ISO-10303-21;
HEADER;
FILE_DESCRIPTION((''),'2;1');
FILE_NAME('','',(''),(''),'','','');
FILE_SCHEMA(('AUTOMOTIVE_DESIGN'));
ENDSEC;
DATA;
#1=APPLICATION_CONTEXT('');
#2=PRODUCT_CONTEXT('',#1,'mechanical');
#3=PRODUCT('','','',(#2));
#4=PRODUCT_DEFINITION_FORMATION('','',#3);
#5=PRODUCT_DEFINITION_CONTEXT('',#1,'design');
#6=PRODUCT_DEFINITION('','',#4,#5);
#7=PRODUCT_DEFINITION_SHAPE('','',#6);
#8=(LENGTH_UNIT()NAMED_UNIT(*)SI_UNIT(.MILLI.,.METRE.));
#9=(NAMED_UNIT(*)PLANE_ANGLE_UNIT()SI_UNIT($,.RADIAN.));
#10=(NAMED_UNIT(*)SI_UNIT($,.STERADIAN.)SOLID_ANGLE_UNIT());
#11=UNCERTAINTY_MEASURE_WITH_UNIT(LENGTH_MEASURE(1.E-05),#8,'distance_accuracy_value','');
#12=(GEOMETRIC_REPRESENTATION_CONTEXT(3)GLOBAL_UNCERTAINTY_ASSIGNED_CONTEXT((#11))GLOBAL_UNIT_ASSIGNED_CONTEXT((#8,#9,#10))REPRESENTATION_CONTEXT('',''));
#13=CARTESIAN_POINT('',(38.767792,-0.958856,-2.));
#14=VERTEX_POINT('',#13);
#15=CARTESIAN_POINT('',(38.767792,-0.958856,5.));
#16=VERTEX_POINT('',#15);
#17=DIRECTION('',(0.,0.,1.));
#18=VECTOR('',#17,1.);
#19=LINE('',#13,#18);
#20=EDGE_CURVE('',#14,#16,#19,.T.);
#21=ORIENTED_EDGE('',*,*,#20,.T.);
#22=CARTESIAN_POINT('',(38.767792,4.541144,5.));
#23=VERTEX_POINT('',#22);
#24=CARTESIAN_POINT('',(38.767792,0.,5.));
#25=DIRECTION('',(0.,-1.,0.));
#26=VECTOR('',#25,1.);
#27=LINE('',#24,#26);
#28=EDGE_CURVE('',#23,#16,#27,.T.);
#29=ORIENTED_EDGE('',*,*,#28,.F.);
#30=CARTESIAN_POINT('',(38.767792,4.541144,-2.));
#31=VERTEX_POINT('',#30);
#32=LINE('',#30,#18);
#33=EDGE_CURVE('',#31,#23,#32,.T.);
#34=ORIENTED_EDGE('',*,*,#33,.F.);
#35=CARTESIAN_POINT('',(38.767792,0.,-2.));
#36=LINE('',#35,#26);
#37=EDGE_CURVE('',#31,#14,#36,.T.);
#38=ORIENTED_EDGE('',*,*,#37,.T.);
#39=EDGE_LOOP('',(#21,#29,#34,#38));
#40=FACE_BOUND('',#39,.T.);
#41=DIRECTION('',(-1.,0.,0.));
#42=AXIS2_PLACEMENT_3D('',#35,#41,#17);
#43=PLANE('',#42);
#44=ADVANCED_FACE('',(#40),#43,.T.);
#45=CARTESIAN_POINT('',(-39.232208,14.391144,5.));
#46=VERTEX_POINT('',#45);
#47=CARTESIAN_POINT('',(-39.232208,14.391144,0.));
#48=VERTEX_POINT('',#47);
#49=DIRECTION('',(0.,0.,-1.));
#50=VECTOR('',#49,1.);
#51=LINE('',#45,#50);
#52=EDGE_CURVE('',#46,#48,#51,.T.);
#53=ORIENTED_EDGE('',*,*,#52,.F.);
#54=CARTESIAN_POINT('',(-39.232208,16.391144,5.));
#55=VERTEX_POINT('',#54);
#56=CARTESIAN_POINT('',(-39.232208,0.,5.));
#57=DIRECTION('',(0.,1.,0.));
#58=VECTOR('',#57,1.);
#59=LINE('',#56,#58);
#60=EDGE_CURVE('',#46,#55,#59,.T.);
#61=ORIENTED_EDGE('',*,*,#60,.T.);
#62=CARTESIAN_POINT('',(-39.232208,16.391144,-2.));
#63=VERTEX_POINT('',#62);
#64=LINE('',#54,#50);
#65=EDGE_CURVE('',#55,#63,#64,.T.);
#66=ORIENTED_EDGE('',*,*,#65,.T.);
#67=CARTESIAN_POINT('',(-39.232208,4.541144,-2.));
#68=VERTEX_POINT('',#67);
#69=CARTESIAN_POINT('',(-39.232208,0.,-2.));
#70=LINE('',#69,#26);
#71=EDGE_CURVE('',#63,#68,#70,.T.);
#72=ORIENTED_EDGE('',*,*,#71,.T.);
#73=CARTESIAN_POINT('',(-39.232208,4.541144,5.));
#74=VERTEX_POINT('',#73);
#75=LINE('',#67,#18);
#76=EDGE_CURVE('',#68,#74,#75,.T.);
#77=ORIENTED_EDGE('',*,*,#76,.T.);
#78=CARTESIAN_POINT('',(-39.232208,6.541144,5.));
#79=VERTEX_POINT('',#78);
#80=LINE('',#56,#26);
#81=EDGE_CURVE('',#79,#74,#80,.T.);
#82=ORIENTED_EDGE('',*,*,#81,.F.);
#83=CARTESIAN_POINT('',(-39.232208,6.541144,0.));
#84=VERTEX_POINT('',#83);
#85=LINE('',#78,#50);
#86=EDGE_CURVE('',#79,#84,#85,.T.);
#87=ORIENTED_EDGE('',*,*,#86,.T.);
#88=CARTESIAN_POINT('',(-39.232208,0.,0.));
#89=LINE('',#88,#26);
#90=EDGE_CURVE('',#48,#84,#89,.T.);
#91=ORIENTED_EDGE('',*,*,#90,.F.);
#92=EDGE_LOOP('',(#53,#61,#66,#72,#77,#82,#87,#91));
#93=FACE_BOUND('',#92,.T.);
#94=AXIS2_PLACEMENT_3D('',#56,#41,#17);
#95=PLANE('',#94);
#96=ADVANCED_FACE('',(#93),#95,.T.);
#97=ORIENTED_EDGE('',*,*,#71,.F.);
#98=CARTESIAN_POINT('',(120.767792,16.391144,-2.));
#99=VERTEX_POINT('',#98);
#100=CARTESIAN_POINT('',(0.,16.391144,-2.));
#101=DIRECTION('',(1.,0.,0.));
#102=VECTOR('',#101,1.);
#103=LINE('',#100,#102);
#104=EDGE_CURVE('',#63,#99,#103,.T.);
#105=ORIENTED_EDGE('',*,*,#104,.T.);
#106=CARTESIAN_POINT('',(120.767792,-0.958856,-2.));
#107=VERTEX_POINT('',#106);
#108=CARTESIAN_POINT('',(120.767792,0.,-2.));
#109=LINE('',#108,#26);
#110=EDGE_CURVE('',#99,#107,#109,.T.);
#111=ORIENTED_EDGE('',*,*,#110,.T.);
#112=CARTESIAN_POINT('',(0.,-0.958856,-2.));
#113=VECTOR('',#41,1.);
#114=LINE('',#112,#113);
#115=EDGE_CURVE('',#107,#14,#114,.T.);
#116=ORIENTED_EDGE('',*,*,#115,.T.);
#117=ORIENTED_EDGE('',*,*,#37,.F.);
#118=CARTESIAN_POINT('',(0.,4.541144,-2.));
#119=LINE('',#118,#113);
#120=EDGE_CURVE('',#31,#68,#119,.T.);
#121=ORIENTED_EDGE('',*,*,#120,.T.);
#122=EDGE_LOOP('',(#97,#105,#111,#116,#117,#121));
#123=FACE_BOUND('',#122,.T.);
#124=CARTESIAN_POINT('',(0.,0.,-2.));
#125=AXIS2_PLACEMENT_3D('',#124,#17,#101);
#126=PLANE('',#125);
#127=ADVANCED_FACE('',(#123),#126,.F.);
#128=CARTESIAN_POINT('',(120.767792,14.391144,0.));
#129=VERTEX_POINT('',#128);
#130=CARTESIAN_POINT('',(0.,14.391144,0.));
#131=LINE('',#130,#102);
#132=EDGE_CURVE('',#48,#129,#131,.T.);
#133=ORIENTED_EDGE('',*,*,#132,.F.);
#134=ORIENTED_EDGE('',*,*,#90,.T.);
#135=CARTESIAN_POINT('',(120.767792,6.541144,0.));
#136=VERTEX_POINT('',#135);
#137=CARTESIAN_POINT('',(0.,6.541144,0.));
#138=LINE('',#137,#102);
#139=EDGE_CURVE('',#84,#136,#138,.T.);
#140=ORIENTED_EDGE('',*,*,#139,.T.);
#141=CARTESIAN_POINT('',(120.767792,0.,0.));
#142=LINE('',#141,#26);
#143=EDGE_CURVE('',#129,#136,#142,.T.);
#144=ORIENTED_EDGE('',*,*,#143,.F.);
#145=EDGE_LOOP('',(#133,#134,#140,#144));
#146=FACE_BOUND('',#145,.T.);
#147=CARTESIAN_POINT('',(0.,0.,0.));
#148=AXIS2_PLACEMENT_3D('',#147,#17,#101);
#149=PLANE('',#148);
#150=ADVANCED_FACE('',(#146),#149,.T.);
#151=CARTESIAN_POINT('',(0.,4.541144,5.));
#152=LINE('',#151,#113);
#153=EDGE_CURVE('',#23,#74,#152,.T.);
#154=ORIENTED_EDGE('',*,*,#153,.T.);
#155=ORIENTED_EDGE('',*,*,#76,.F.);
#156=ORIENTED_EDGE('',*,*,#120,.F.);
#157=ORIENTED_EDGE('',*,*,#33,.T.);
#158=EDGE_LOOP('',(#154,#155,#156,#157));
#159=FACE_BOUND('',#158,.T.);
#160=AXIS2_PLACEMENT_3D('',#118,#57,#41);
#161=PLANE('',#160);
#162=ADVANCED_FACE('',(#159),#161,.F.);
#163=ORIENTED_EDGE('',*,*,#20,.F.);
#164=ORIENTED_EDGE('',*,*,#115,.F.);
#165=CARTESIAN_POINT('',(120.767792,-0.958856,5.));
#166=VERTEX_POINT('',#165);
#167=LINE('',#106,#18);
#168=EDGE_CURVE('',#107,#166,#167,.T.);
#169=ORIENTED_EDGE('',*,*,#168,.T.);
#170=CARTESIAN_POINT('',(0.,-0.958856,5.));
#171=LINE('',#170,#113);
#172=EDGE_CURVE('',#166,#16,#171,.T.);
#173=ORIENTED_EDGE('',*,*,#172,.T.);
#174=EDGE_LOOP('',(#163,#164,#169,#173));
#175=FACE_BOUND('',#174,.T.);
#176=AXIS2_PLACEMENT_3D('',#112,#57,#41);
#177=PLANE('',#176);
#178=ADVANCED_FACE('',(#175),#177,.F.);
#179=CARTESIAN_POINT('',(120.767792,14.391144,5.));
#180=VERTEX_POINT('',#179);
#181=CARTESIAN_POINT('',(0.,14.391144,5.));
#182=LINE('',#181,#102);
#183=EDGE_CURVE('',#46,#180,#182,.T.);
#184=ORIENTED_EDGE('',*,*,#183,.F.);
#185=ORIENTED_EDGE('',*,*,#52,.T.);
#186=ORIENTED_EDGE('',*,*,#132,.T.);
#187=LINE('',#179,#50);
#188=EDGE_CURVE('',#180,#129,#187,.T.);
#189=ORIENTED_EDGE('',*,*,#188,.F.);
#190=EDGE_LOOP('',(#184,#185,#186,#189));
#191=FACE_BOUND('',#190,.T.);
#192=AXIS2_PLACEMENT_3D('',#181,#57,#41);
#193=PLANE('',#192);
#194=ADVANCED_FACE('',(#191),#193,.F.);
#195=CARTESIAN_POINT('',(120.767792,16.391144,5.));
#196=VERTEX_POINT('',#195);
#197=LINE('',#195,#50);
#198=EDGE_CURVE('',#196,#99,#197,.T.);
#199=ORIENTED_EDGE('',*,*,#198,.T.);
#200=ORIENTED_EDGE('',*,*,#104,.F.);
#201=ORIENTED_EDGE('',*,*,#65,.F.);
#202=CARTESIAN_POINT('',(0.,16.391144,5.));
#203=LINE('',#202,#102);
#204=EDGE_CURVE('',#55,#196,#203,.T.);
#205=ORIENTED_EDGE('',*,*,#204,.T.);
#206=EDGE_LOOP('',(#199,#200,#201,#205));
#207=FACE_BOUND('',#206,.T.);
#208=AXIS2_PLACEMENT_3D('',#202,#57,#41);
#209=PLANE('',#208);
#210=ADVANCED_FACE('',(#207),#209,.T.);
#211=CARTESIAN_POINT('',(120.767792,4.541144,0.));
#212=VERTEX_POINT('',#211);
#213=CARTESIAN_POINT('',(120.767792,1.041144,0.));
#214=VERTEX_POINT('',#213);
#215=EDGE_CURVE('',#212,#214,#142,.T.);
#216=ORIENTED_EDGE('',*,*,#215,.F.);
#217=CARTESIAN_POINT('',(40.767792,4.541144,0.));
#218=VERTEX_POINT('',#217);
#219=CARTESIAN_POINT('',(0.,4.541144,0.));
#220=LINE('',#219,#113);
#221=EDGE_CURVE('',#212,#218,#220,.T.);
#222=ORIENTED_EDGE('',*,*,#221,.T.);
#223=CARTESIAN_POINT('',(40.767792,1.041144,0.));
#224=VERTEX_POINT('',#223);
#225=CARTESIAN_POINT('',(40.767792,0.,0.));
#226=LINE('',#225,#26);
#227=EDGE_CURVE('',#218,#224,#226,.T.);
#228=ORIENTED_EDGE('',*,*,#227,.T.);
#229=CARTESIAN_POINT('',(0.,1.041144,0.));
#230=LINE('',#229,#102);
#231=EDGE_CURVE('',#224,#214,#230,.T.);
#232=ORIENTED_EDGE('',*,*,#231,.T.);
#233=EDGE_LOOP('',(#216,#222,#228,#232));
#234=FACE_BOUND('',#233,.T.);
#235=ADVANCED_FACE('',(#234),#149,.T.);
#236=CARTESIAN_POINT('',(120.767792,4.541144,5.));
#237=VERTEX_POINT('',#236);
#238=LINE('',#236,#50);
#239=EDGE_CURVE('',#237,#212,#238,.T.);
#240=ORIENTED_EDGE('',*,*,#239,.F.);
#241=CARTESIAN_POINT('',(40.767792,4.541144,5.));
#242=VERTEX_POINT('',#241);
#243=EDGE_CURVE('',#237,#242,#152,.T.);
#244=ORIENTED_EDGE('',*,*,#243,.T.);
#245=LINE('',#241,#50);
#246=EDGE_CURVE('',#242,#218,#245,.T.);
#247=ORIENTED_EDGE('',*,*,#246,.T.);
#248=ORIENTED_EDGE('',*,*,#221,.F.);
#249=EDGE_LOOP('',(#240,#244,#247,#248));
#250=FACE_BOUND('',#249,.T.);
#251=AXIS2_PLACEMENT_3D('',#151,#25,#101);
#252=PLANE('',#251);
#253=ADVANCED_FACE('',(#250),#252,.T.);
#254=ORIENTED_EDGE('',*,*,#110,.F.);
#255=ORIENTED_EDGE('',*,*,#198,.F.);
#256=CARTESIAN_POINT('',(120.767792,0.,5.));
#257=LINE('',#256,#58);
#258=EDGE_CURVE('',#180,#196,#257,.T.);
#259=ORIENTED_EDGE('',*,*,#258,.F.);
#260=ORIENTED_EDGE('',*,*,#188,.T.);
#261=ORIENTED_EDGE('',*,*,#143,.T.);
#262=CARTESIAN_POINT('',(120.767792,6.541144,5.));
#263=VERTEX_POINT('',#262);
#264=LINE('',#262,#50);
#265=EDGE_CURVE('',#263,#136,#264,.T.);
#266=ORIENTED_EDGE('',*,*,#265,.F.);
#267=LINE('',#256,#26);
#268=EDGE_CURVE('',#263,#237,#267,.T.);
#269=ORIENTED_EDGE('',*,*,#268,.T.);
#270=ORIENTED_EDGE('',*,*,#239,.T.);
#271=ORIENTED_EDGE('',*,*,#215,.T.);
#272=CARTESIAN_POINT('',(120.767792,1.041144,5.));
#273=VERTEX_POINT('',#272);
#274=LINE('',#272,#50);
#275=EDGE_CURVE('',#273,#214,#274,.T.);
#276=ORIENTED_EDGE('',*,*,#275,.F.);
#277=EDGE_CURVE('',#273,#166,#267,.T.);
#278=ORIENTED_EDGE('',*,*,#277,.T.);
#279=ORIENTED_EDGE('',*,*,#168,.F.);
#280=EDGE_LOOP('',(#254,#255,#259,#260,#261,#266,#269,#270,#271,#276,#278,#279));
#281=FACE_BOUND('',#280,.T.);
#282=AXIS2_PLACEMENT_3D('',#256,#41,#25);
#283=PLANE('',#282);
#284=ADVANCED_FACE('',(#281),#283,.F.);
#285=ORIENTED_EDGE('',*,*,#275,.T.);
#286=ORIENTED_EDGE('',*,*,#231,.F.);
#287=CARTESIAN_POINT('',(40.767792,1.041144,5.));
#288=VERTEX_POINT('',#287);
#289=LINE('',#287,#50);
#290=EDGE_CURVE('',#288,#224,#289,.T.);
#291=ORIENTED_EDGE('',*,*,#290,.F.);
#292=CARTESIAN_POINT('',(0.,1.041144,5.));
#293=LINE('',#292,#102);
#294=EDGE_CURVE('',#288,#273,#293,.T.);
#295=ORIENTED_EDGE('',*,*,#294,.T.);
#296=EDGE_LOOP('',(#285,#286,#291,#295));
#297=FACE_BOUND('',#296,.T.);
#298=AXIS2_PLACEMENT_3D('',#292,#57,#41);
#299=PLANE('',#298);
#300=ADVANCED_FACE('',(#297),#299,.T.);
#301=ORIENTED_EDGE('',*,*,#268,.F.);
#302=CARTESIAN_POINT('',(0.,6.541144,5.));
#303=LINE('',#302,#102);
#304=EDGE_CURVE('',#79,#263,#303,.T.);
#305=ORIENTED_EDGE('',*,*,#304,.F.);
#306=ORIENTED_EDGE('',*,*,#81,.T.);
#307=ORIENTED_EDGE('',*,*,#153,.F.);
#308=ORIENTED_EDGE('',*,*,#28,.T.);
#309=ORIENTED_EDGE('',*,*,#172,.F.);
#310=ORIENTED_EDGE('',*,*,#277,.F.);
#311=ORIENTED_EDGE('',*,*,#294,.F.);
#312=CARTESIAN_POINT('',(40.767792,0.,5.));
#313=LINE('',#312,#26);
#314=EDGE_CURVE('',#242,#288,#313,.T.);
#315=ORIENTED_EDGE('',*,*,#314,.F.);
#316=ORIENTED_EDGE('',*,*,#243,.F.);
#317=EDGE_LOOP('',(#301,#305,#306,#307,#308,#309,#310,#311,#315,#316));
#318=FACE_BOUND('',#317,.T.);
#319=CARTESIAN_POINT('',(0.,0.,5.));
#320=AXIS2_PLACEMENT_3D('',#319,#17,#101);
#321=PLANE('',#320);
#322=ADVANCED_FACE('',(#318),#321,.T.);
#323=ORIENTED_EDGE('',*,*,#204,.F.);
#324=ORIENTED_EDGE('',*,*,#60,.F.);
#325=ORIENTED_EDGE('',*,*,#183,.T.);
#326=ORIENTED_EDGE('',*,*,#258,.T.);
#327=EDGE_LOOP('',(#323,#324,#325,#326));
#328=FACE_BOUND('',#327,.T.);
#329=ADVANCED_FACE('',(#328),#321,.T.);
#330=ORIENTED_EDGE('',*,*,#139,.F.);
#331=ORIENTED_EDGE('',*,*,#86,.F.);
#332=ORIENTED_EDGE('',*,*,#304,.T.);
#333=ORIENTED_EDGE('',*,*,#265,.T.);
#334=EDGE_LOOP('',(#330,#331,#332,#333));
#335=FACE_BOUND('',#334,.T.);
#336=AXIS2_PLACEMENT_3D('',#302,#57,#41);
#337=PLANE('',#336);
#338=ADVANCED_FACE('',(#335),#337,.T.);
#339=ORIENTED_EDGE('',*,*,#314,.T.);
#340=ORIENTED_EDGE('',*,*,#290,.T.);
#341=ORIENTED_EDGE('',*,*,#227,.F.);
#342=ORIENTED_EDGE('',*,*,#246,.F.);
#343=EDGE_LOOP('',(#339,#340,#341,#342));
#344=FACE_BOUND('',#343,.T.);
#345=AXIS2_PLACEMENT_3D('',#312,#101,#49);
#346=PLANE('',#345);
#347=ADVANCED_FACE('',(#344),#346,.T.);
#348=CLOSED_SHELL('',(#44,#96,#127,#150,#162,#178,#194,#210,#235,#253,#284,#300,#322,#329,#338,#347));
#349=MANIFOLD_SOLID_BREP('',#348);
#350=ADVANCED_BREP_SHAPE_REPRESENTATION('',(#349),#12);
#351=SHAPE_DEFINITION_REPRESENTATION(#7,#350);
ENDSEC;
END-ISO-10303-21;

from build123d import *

# Parameters (mm, degrees)
ESBO_O1_W                  = 160
ESBO_O1_H                  = 2
RESSALTO_EXTRUS_O1_DEPTH   = 5
RESSALTO_EXTRUS_O1_2_DEPTH = 5
RESSALTO_EXTRUS_O2_DEPTH   = 2


with BuildPart() as part:
    # Esboço1 → Ressalto-extrusão1 (new body)
    with BuildSketch(Plane.XY):
        with Locations((40.767792431, 15.391143911)):
            Rectangle(ESBO_O1_W, ESBO_O1_H)
    extrude(amount=RESSALTO_EXTRUS_O1_DEPTH)



with BuildPart() as body_2:
    # Esboço1 → Ressalto-extrus_o1 2 (new body)
    with BuildSketch(Plane.XY):
        Polygon((120.767792431, 6.541143911), (-39.232207569, 6.541143911), (-39.232207569, 4.541143911), (38.767792431, 4.541143911), (38.767792431, -0.958856089), (120.767792431, -0.958856089), (120.767792431, 1.041143911), (40.767792431, 1.041143911), (40.767792431, 4.541143911), (120.767792431, 4.541143911), align=None)
    extrude(amount=RESSALTO_EXTRUS_O1_2_DEPTH)


with BuildPart() as part_1:
    add(part.part)

    add(body_2.part)  # Ressalto-extrusão2 merges body 2
    # Esboço1<3> → Ressalto-extrusão2 (add)
    with BuildSketch(Plane.XY):
        Polygon((-39.232207569, 16.391143911), (-39.232207569, 4.541143911), (38.767792431, 4.541143911), (38.767792431, -0.958856089), (120.767792431, -0.958856089), (120.767792431, 16.391143911), align=None)
    extrude(amount=-RESSALTO_EXTRUS_O2_DEPTH)


solid = part_1.part
